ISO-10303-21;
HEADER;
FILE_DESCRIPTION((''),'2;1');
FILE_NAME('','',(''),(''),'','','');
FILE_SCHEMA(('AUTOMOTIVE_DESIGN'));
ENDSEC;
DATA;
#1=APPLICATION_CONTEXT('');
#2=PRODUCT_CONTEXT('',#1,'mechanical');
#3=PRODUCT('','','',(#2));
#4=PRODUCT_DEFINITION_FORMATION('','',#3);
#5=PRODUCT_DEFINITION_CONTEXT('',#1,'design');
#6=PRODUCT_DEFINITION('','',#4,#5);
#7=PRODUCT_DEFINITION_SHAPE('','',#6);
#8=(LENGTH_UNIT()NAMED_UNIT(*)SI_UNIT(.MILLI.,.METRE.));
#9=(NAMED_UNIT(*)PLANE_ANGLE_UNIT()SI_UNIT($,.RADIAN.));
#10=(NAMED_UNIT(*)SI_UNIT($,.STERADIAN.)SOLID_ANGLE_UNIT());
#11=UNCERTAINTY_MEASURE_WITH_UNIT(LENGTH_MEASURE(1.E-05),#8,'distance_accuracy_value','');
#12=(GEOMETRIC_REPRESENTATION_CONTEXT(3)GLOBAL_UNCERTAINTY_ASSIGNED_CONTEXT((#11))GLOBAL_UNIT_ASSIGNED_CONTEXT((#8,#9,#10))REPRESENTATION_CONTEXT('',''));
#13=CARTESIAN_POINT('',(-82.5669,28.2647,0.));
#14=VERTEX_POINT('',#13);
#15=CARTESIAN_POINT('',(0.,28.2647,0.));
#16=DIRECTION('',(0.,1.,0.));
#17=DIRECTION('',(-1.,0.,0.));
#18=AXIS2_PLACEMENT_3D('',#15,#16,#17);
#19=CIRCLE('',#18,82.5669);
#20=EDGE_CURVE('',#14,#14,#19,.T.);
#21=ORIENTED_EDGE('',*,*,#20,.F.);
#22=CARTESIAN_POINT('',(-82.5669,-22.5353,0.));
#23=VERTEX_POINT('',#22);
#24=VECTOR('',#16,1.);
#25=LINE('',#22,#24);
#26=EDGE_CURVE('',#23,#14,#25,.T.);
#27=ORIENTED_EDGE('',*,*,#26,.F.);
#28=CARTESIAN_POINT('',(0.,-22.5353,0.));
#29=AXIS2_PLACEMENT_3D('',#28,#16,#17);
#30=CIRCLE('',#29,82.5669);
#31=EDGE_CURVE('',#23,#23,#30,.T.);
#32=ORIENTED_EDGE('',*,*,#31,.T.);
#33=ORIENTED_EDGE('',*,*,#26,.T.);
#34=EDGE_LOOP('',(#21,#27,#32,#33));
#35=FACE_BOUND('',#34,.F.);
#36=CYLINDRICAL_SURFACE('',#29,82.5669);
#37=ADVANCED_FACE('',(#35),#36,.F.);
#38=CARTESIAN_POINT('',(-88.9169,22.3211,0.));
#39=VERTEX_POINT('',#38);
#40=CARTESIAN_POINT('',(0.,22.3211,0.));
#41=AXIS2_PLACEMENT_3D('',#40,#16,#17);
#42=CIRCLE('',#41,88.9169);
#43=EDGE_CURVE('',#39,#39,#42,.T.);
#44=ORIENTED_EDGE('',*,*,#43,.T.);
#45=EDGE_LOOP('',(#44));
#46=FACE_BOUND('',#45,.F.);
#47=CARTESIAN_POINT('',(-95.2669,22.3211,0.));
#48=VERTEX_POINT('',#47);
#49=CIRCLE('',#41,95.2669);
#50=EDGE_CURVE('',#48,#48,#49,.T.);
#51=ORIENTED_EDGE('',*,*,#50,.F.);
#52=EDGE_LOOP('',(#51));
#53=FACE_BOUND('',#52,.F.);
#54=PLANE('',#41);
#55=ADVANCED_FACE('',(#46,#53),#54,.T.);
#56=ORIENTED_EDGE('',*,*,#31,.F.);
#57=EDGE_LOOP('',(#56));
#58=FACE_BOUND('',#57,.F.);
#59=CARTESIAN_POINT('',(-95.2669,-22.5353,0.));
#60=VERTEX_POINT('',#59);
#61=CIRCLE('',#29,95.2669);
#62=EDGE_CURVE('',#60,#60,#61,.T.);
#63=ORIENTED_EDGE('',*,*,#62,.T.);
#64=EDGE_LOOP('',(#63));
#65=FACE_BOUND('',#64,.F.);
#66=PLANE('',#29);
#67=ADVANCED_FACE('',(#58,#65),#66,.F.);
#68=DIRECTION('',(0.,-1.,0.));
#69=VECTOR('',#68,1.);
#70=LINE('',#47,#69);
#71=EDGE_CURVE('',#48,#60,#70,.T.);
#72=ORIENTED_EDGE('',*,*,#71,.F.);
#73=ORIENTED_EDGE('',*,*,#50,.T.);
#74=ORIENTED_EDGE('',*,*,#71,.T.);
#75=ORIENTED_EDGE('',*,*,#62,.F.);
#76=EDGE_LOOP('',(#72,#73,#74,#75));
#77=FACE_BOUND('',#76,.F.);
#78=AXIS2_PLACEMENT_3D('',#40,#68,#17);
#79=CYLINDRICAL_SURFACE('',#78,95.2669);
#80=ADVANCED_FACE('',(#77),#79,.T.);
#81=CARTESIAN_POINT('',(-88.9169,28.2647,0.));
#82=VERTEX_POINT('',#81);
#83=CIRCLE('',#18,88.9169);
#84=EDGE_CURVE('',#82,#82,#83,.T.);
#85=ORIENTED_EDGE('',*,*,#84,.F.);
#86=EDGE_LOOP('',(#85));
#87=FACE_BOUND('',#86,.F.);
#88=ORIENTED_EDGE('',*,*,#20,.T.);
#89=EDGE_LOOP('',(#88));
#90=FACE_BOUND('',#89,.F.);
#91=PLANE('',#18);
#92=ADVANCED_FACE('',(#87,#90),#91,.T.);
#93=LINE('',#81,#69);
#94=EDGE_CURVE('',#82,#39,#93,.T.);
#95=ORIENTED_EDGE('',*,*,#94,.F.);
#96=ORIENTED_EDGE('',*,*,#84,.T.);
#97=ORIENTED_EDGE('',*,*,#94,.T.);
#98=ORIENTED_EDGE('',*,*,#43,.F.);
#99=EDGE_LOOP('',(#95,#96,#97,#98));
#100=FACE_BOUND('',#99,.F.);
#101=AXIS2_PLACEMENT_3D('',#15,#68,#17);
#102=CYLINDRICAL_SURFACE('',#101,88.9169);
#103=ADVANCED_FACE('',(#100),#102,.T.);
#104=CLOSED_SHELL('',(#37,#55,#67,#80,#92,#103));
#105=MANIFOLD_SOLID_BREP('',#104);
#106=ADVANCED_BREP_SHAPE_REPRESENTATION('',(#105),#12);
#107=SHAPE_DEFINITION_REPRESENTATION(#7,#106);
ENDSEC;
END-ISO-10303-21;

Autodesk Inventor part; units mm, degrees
ref_plane "YZ Plane" through (0, 0, 0) normal (1, 0, 0) x (0, 1, 0)
ref_plane "XZ Plane" through (0, 0, 0) normal (0, 1, 0) x (-1, 0, 0)
ref_plane "XY Plane" through (0, 0, 0) normal (0, 0, 1) x (1, 0, 0)
sketch "Sketch1" plane through (0, 0, 0) normal (0, 0, 1) x (1, 0, 0)
  line L0 (-82.5669, 28.2647) -> (-88.9169, 28.2647)
  line L1 (-88.9169, 28.2647) -> (-88.9169, 22.3211)
  line L2 (-88.9169, 22.3211) -> (-95.2669, 22.3211)
  line L3 (-95.2669, 22.3211) -> (-95.2669, -22.5353)
  line L4 (-95.2669, -22.5353) -> (-82.5669, -22.5353)
  line L5 (-82.5669, -22.5353) -> (-82.5669, 28.2647)
  line L6 (0, -32.6953) -> (0, 38.4247) projected
  point P0 (0, 0)
  dimension "d0" = 50.8
  dimension "d1" = 6.35
  dimension "d2" = 6.35
  dimension "d3" = 5.9436
  dimension "d4" = 95.2669
revolve "Revolution1" add sketch "Sketch1" angle 360 about axis through (0, -10, 0) along (0, 1, 0)
properties part number "Aluminum Retainer 8-inch v1"
